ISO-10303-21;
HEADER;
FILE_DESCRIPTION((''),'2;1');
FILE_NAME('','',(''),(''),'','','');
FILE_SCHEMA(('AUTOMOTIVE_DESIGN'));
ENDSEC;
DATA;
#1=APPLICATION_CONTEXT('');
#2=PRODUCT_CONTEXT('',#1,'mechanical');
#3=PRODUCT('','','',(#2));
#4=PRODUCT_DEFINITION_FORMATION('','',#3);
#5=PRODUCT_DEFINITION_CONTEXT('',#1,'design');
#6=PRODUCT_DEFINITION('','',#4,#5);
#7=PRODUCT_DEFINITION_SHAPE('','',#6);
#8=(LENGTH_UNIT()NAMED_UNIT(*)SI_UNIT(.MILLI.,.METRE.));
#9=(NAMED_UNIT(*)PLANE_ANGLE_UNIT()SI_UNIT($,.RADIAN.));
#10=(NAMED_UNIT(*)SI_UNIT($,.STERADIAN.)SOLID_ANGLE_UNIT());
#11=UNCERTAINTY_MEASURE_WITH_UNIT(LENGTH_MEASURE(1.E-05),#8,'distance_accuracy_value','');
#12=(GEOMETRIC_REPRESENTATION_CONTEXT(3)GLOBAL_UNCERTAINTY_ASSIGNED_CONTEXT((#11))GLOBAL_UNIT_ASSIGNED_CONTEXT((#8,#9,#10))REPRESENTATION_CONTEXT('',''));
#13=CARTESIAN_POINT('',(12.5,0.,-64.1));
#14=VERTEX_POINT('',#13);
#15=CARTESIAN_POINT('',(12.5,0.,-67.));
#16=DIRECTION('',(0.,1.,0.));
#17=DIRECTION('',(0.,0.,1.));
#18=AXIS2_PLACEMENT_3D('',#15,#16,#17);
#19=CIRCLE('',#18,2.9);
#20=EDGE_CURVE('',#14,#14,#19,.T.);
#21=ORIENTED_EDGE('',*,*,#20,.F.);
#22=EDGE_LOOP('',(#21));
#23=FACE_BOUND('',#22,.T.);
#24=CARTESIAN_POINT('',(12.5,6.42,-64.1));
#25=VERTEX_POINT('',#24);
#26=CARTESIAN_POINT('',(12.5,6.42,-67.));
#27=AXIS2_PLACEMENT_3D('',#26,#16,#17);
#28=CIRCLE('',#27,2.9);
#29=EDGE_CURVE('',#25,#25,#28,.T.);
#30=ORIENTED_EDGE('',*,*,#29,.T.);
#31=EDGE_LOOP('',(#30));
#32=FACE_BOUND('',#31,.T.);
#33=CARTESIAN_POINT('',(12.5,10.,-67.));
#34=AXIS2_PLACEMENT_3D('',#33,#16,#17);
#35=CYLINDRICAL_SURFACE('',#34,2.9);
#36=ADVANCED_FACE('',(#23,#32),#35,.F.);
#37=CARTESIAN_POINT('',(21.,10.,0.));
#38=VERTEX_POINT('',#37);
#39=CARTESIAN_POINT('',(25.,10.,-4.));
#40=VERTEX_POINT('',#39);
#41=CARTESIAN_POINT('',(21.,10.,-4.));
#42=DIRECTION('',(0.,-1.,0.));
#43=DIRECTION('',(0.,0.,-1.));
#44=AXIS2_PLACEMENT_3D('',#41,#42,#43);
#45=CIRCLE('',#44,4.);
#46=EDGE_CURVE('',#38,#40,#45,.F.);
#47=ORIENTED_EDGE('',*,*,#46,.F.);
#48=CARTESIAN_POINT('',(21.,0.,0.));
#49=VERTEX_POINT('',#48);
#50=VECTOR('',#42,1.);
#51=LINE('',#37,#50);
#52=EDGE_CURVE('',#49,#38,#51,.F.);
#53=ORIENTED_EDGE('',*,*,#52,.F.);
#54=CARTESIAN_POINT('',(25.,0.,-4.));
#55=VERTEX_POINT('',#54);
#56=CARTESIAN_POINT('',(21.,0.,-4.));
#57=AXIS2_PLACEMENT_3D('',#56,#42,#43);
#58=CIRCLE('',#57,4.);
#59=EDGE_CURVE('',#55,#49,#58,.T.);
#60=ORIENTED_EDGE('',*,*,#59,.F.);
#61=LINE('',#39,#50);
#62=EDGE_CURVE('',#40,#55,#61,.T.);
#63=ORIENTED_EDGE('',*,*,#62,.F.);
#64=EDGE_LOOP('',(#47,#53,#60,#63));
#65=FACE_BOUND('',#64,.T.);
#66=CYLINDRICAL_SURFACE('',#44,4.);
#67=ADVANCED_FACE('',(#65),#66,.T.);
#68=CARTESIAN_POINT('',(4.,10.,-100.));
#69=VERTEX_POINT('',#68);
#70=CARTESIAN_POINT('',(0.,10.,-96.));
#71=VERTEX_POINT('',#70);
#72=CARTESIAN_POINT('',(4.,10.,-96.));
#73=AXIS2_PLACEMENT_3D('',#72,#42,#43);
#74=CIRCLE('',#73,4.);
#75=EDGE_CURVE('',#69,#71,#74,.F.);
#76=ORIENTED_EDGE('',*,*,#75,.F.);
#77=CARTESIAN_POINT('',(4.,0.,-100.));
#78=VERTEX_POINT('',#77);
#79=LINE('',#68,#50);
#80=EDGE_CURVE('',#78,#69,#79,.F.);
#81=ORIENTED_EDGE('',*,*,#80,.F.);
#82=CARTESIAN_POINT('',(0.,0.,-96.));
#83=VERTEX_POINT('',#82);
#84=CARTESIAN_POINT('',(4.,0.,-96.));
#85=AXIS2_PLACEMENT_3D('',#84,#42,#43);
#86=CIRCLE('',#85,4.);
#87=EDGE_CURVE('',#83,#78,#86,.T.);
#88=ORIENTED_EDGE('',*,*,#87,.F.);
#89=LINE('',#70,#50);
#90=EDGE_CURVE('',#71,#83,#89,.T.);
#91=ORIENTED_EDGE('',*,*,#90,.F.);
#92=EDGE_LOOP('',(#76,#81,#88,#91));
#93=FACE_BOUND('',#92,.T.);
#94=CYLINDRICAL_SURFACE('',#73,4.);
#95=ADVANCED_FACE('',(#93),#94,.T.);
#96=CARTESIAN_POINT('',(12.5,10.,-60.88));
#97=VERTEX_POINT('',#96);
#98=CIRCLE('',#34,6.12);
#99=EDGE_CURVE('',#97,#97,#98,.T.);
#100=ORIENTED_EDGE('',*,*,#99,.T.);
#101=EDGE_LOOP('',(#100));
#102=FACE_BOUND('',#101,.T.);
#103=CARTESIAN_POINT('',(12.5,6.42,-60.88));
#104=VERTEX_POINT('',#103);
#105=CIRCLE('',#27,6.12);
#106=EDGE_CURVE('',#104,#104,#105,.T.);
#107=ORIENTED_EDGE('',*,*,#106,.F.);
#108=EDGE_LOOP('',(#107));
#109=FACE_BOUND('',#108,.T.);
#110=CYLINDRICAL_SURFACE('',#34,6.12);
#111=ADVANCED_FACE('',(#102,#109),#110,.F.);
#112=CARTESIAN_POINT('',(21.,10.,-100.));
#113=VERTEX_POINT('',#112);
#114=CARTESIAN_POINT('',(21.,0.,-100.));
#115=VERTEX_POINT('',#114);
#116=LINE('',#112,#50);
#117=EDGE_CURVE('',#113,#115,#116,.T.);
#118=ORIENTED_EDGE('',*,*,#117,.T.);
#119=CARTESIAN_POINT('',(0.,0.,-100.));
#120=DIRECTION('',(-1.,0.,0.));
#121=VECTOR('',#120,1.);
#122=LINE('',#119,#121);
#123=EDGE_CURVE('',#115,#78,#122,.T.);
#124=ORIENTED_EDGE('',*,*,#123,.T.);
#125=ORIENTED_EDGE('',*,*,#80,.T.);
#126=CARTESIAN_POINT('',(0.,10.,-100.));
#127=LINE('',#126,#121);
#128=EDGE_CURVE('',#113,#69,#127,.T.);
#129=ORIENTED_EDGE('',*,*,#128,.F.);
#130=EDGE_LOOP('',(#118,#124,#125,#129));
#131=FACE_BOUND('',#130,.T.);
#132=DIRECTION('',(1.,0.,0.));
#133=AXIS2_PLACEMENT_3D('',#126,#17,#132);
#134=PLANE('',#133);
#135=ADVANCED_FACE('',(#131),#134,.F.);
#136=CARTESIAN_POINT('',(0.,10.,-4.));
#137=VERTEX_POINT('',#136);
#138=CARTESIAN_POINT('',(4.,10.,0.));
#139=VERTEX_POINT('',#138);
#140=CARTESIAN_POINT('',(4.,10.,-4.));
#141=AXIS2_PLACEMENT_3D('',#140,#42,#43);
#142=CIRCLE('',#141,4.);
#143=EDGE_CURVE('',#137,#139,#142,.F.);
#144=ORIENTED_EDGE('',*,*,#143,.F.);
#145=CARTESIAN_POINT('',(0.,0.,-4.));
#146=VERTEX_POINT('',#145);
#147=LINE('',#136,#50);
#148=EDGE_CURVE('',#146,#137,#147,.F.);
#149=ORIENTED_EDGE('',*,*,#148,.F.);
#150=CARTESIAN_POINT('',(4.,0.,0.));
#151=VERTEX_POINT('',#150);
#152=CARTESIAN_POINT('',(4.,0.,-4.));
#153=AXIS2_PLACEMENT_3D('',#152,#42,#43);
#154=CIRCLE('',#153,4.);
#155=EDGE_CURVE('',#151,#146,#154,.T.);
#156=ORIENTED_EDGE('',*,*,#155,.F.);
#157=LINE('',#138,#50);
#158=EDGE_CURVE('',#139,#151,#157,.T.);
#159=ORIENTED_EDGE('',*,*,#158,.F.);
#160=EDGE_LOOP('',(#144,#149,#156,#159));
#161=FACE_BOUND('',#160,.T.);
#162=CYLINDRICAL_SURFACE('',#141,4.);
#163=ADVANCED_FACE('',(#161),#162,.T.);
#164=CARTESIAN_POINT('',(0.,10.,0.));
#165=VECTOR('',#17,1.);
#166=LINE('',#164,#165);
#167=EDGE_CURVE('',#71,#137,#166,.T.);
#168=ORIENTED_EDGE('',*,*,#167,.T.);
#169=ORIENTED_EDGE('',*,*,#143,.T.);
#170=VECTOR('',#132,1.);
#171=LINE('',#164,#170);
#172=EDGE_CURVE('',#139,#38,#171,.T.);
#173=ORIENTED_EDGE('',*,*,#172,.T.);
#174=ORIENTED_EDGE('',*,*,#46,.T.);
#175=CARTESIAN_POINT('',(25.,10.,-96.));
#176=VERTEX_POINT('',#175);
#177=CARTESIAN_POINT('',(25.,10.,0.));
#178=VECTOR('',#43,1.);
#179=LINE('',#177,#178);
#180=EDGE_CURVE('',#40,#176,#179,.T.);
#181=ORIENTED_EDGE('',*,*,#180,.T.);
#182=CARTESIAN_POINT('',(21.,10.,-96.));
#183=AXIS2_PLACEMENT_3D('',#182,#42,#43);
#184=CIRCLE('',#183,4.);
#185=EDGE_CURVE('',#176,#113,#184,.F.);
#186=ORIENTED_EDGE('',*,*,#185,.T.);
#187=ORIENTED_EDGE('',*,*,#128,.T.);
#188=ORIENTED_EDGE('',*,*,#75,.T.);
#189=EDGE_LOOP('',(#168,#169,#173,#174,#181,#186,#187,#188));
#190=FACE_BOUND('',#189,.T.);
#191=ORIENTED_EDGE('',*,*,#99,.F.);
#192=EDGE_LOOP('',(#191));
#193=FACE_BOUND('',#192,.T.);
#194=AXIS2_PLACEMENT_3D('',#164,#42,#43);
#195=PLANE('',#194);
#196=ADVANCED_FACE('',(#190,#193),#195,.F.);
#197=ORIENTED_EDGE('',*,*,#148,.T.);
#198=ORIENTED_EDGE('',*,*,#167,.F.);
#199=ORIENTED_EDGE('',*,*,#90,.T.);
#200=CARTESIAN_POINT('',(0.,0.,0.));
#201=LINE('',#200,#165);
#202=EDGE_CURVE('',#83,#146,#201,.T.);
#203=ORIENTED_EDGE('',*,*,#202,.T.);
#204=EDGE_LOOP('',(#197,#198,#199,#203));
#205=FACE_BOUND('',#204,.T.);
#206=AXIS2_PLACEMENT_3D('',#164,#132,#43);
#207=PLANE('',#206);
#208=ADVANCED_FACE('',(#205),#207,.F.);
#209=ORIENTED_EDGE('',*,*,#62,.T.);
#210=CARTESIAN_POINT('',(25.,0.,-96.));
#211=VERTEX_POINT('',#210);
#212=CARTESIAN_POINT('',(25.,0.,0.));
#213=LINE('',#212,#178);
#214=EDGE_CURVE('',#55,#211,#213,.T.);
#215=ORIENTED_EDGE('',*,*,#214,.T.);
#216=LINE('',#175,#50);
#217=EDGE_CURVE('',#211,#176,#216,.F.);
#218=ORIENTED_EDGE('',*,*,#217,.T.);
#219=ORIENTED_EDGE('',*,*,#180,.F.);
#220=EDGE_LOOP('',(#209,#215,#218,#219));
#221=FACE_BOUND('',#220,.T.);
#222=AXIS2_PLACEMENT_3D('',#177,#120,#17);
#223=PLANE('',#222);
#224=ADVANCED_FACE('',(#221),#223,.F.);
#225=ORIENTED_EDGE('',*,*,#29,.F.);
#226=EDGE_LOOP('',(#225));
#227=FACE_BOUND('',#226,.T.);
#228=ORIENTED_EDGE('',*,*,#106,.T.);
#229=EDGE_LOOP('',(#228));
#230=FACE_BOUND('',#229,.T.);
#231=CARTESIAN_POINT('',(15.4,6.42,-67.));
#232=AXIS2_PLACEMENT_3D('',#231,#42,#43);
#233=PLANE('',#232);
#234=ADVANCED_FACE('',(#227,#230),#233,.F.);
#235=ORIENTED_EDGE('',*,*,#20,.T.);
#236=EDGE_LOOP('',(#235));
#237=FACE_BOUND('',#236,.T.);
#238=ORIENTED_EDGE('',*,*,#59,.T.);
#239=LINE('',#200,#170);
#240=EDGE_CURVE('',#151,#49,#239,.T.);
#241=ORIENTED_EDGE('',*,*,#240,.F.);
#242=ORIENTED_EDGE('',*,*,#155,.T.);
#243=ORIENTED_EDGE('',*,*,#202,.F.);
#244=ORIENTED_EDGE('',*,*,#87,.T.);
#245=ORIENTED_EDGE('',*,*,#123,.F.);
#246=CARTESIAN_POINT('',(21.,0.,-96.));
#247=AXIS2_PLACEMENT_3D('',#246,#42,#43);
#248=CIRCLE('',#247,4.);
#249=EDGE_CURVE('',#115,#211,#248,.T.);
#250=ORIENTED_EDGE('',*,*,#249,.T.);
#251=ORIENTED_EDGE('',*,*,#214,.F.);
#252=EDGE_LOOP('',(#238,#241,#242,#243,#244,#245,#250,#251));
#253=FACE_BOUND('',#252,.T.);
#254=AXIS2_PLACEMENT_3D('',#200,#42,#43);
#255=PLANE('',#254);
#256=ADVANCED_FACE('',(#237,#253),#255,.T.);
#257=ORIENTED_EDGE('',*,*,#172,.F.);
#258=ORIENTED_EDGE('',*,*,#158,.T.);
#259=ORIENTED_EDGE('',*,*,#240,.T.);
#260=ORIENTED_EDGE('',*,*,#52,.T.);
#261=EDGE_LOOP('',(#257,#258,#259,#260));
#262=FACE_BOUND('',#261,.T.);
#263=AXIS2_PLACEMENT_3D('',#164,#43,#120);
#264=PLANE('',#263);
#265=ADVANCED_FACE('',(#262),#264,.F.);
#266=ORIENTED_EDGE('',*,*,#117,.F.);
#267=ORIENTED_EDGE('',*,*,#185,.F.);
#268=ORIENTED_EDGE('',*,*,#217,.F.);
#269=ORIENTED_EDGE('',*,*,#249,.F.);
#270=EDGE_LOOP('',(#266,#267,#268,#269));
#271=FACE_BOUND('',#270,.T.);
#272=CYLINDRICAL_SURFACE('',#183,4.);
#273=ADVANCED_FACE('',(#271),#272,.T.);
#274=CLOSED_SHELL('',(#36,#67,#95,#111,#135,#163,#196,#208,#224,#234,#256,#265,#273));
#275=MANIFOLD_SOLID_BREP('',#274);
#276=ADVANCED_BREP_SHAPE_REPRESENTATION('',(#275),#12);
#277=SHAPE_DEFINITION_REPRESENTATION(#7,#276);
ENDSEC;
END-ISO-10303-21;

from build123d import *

# Parameters (mm, degrees)
SKETCH1_W                               = 25
SKETCH1_H                               = 100
BOSS_EXTRUDE1_DEPTH                     = 10
CBORE_FOR_M5_HEX_HEAD_BOLT1_D           = 5.8
CBORE_FOR_M5_HEX_HEAD_BOLT1_CBORE_D     = 12.24
CBORE_FOR_M5_HEX_HEAD_BOLT1_CBORE_DEPTH = 3.58
FILLET1_R                               = 4


with BuildPart() as part:
    # Sketch1 → Boss-Extrude1 (new body)
    with BuildSketch(Plane(origin=(0, 0, 0), x_dir=(1, 0, 0), z_dir=(0, 1, 0))):
        with Locations((12.5, 50)):
            Rectangle(SKETCH1_W, SKETCH1_H)
    extrude(amount=BOSS_EXTRUDE1_DEPTH)

    # CBORE for M5 Hex Head Bolt1 (through all)
    with Locations(Plane(origin=(0, 10, 0), x_dir=(1, 0, 0), z_dir=(0, 1, 0))):
        with Locations((12.5, 67)):
            CounterBoreHole(CBORE_FOR_M5_HEX_HEAD_BOLT1_D / 2, CBORE_FOR_M5_HEX_HEAD_BOLT1_CBORE_D / 2, CBORE_FOR_M5_HEX_HEAD_BOLT1_CBORE_DEPTH)

    # Fillet1
    fillet1_edges = [part.edges().sort_by_distance(p)[0] for p in [
        (0, 5, -100),
        (25, 5, -100),
        (25, 5, 0),
        (0, 5, 0),
    ]]
    fillet(fillet1_edges, radius=FILLET1_R)


solid = part.part
